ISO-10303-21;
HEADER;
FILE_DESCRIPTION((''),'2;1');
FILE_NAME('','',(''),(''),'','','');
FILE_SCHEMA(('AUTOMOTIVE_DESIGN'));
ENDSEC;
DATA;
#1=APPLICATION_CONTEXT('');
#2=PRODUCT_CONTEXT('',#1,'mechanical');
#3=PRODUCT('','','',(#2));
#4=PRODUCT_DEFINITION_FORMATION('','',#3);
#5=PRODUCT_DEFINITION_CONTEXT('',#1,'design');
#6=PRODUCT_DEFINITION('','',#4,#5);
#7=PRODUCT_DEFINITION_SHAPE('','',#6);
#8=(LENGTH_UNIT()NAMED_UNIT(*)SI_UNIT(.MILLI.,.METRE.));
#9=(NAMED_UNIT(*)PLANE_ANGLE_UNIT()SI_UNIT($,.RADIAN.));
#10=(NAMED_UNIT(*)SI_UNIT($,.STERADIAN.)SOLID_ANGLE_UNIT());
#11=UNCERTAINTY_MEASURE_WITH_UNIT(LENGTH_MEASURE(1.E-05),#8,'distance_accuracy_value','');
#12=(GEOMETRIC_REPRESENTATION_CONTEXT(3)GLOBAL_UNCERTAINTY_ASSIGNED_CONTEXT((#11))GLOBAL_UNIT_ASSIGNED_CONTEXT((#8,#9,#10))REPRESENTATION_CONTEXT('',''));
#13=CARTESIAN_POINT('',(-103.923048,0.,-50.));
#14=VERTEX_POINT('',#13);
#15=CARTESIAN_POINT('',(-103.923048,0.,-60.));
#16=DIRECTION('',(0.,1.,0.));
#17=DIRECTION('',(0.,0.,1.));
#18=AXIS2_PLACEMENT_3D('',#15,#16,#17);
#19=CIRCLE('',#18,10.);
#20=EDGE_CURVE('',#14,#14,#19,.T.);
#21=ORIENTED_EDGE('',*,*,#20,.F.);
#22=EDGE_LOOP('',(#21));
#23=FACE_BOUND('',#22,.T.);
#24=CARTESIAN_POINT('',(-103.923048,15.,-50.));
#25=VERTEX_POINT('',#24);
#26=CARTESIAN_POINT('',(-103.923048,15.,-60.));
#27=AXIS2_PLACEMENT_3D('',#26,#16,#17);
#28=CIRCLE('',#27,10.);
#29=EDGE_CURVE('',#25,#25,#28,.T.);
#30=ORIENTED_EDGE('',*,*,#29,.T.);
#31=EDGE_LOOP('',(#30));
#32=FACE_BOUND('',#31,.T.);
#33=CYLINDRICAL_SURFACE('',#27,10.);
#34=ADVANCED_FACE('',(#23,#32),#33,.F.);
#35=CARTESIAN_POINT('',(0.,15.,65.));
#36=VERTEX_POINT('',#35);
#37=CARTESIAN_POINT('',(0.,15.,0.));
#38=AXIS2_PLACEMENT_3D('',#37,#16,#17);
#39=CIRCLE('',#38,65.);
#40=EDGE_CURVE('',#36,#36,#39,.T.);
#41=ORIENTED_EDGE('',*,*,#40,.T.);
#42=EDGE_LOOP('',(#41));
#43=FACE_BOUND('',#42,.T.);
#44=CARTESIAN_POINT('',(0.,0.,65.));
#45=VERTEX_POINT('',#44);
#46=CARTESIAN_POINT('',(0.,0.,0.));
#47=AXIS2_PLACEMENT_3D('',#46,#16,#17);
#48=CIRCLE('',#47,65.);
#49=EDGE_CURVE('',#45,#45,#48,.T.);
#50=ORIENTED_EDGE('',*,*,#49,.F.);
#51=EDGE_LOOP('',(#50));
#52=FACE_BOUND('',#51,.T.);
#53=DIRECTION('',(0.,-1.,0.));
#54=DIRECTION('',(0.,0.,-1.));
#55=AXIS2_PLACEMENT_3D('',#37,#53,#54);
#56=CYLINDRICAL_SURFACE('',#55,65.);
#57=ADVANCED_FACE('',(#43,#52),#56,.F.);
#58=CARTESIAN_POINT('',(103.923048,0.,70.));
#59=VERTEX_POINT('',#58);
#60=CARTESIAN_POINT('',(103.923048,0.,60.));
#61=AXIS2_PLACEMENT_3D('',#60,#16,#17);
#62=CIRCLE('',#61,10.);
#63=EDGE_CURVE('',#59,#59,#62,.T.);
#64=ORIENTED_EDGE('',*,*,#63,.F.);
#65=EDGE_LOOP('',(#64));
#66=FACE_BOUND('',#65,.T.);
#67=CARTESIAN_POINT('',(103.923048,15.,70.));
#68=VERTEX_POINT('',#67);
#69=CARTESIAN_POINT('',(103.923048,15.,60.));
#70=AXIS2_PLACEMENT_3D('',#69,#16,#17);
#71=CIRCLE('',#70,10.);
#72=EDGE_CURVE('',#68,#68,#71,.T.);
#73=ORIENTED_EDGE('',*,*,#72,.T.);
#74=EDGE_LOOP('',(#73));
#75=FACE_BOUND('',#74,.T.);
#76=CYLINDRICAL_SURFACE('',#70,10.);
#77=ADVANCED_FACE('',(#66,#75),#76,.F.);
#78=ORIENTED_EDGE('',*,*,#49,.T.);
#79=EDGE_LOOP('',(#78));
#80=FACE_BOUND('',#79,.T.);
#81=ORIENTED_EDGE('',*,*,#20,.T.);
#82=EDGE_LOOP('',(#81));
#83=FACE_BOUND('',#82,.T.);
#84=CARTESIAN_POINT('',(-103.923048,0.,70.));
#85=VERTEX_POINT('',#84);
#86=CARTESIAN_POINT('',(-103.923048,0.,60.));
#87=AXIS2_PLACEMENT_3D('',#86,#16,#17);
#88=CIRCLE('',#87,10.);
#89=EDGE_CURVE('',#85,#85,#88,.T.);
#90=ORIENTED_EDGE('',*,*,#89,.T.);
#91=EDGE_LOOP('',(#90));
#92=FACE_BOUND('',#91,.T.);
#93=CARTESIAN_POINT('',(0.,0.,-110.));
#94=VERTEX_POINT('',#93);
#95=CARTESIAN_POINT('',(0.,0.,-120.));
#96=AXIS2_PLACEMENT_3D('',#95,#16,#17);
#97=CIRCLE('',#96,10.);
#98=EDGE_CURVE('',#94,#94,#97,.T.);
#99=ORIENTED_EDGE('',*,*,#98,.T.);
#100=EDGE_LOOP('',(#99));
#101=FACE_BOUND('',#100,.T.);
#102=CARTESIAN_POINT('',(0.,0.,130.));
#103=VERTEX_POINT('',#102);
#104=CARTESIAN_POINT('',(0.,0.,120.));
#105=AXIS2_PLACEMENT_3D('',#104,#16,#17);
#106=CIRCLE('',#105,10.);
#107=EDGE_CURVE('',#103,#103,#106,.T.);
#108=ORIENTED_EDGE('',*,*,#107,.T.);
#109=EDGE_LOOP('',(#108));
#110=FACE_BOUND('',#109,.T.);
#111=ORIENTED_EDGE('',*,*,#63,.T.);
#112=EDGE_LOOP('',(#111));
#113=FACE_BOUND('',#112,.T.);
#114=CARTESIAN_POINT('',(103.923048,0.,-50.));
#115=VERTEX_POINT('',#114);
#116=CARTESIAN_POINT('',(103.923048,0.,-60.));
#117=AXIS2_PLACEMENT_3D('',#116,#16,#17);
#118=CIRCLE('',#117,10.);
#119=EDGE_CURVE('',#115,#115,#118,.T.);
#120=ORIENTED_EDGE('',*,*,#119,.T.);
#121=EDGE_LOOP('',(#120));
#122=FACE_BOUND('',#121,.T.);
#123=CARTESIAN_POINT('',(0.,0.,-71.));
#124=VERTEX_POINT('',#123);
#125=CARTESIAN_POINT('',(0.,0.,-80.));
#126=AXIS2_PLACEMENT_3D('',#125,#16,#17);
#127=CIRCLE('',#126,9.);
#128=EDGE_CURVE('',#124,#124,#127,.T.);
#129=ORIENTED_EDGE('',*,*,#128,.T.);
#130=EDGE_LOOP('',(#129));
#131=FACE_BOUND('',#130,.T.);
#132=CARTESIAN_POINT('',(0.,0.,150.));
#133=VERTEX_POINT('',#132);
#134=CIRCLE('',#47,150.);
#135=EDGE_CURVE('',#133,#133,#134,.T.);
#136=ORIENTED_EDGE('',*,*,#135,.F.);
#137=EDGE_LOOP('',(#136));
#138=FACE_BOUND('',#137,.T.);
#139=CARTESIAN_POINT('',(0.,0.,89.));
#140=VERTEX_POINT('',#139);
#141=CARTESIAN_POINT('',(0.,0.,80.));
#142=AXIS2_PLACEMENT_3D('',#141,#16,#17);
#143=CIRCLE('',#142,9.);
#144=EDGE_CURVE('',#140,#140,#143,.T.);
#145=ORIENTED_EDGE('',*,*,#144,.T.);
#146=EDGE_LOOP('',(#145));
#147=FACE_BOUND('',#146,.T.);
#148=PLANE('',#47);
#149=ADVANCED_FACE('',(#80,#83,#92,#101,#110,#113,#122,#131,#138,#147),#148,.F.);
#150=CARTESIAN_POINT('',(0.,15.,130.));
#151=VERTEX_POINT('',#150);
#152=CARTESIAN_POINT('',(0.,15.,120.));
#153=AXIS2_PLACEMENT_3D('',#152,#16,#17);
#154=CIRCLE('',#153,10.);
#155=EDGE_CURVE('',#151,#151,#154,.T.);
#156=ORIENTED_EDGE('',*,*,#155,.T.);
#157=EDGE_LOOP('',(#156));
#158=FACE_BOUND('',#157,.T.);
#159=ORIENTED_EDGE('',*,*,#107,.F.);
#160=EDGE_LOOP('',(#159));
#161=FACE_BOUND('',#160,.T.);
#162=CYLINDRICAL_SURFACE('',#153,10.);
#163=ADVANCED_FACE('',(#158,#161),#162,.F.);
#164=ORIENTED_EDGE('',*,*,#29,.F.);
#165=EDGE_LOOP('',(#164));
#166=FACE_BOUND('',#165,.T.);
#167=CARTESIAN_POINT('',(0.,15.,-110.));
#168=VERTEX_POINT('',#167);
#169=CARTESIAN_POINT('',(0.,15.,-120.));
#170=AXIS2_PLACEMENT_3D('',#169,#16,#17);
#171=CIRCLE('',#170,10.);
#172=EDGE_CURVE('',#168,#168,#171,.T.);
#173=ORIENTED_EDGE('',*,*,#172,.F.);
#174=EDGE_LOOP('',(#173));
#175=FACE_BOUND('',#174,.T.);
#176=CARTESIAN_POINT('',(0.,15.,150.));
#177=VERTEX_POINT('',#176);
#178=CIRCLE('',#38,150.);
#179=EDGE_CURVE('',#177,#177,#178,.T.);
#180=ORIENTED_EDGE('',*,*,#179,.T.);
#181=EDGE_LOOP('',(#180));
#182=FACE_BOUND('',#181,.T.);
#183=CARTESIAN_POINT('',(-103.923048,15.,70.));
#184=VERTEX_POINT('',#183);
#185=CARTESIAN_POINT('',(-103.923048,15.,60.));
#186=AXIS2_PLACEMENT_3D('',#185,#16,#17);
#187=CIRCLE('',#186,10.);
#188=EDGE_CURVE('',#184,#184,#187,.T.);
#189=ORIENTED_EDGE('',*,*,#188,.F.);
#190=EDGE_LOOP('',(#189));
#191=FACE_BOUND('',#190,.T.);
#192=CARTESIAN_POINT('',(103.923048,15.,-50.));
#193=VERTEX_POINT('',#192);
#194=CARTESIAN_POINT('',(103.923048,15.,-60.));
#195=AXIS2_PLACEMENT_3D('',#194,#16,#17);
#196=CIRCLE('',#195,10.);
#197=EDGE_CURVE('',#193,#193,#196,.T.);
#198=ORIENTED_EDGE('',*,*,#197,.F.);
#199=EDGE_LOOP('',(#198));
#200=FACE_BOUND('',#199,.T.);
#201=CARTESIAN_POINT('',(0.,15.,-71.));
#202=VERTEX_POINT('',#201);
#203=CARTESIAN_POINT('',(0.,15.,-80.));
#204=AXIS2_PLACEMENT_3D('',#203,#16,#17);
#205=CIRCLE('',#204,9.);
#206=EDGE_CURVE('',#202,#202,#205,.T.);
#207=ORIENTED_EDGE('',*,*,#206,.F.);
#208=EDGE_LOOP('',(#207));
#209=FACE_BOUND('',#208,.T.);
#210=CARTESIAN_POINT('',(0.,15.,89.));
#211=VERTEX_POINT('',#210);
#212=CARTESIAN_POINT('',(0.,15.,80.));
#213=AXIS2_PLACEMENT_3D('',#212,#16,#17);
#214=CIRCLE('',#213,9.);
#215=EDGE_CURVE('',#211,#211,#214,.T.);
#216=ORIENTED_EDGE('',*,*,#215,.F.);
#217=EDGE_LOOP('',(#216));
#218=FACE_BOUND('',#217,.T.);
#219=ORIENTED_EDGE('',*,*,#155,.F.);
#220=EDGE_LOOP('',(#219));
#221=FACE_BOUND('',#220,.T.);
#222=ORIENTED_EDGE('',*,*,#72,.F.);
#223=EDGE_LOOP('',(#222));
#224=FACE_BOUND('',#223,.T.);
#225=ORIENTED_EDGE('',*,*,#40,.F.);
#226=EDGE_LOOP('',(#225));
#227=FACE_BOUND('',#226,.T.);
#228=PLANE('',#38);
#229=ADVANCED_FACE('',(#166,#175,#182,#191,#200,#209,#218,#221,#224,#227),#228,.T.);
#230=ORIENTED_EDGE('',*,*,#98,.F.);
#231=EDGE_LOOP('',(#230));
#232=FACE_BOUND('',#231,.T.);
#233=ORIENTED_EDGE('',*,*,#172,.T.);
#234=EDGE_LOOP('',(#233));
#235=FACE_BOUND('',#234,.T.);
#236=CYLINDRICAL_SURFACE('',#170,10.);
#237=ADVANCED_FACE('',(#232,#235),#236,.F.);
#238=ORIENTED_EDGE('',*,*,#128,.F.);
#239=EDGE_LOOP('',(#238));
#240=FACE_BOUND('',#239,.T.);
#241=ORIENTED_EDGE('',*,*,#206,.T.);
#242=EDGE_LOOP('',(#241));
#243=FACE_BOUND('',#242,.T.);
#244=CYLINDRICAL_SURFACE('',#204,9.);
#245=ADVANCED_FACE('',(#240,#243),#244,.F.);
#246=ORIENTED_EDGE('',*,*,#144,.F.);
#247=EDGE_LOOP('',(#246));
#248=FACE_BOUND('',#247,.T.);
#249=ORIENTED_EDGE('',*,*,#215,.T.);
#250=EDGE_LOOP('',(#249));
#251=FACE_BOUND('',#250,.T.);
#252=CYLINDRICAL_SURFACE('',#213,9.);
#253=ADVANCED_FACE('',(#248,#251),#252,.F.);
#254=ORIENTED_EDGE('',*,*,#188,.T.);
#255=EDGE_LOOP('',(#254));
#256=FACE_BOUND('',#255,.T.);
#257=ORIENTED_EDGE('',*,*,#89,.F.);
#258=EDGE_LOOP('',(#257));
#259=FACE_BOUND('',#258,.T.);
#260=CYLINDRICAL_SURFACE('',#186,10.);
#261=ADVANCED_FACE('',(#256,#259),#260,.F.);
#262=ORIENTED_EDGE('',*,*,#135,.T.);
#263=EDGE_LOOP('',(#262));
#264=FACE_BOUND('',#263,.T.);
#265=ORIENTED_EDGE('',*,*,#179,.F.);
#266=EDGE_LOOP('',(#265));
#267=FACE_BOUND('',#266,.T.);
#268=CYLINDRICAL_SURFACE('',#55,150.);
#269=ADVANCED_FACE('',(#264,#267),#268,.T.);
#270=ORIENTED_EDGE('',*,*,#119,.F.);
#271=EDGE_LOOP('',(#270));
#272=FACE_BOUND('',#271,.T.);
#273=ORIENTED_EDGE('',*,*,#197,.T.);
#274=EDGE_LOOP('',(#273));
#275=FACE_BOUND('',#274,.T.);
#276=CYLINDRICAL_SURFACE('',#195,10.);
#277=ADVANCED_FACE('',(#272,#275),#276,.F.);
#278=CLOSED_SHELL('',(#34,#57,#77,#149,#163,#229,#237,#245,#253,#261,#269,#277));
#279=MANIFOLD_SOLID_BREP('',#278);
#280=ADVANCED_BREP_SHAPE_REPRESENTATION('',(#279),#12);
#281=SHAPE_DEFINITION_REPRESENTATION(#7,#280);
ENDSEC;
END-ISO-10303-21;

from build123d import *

# Parameters (mm, degrees)
SKETCH2_R                    = 150
SKETCH2_R_2                  = 65
BOSS_EXTRUDE1_DEPTH          = 15
TAP_DRILL_FOR_M14X2_0_TAP1_D = 20
CIRPATTERN1_COUNT            = 6
TAP_DRILL_FOR_M14X2_0_TAP2_D = 18
CIRPATTERN2_COUNT            = 2


with BuildPart() as part:
    # Sketch2 → Boss-Extrude1 (new body)
    with BuildSketch(Plane(origin=(0, 0, 0), x_dir=(1, 0, 0), z_dir=(0, 1, 0))):
        Circle(SKETCH2_R)
        Circle(SKETCH2_R_2, mode=Mode.SUBTRACT)
    extrude(amount=BOSS_EXTRUDE1_DEPTH)

    # Tap Drill for M14x2.0 Tap1 (through all)
    with Locations(Plane(origin=(0, 15, 0), x_dir=(1, 0, 0), z_dir=(0, 1, 0))):
        with Locations((0, 120)):
            tap_drill_for_m14x2_0_tap1 = Hole(TAP_DRILL_FOR_M14X2_0_TAP1_D / 2)

    # CirPattern1: Tap Drill for M14x2.0 Tap1 ×6 about axis
    cirpattern1_axis = Axis((0, -0.75, 0), (0, 1, 0))
    for i in range(1, CIRPATTERN1_COUNT):
        add(tap_drill_for_m14x2_0_tap1.rotate(cirpattern1_axis, i * 360 / CIRPATTERN1_COUNT), mode=Mode.SUBTRACT)

    # Tap Drill for M14x2.0 Tap2 (through all)
    with Locations(Plane(origin=(0, 15, 0), x_dir=(1, 0, 0), z_dir=(0, 1, 0))):
        with Locations((0, 80)):
            tap_drill_for_m14x2_0_tap2 = Hole(TAP_DRILL_FOR_M14X2_0_TAP2_D / 2)

    # CirPattern2: Tap Drill for M14x2.0 Tap2 ×2 about axis
    cirpattern2_axis = Axis((0, -0.75, 0), (0, 1, 0))
    for i in range(1, CIRPATTERN2_COUNT):
        add(tap_drill_for_m14x2_0_tap2.rotate(cirpattern2_axis, i * 360 / CIRPATTERN2_COUNT), mode=Mode.SUBTRACT)


solid = part.part
